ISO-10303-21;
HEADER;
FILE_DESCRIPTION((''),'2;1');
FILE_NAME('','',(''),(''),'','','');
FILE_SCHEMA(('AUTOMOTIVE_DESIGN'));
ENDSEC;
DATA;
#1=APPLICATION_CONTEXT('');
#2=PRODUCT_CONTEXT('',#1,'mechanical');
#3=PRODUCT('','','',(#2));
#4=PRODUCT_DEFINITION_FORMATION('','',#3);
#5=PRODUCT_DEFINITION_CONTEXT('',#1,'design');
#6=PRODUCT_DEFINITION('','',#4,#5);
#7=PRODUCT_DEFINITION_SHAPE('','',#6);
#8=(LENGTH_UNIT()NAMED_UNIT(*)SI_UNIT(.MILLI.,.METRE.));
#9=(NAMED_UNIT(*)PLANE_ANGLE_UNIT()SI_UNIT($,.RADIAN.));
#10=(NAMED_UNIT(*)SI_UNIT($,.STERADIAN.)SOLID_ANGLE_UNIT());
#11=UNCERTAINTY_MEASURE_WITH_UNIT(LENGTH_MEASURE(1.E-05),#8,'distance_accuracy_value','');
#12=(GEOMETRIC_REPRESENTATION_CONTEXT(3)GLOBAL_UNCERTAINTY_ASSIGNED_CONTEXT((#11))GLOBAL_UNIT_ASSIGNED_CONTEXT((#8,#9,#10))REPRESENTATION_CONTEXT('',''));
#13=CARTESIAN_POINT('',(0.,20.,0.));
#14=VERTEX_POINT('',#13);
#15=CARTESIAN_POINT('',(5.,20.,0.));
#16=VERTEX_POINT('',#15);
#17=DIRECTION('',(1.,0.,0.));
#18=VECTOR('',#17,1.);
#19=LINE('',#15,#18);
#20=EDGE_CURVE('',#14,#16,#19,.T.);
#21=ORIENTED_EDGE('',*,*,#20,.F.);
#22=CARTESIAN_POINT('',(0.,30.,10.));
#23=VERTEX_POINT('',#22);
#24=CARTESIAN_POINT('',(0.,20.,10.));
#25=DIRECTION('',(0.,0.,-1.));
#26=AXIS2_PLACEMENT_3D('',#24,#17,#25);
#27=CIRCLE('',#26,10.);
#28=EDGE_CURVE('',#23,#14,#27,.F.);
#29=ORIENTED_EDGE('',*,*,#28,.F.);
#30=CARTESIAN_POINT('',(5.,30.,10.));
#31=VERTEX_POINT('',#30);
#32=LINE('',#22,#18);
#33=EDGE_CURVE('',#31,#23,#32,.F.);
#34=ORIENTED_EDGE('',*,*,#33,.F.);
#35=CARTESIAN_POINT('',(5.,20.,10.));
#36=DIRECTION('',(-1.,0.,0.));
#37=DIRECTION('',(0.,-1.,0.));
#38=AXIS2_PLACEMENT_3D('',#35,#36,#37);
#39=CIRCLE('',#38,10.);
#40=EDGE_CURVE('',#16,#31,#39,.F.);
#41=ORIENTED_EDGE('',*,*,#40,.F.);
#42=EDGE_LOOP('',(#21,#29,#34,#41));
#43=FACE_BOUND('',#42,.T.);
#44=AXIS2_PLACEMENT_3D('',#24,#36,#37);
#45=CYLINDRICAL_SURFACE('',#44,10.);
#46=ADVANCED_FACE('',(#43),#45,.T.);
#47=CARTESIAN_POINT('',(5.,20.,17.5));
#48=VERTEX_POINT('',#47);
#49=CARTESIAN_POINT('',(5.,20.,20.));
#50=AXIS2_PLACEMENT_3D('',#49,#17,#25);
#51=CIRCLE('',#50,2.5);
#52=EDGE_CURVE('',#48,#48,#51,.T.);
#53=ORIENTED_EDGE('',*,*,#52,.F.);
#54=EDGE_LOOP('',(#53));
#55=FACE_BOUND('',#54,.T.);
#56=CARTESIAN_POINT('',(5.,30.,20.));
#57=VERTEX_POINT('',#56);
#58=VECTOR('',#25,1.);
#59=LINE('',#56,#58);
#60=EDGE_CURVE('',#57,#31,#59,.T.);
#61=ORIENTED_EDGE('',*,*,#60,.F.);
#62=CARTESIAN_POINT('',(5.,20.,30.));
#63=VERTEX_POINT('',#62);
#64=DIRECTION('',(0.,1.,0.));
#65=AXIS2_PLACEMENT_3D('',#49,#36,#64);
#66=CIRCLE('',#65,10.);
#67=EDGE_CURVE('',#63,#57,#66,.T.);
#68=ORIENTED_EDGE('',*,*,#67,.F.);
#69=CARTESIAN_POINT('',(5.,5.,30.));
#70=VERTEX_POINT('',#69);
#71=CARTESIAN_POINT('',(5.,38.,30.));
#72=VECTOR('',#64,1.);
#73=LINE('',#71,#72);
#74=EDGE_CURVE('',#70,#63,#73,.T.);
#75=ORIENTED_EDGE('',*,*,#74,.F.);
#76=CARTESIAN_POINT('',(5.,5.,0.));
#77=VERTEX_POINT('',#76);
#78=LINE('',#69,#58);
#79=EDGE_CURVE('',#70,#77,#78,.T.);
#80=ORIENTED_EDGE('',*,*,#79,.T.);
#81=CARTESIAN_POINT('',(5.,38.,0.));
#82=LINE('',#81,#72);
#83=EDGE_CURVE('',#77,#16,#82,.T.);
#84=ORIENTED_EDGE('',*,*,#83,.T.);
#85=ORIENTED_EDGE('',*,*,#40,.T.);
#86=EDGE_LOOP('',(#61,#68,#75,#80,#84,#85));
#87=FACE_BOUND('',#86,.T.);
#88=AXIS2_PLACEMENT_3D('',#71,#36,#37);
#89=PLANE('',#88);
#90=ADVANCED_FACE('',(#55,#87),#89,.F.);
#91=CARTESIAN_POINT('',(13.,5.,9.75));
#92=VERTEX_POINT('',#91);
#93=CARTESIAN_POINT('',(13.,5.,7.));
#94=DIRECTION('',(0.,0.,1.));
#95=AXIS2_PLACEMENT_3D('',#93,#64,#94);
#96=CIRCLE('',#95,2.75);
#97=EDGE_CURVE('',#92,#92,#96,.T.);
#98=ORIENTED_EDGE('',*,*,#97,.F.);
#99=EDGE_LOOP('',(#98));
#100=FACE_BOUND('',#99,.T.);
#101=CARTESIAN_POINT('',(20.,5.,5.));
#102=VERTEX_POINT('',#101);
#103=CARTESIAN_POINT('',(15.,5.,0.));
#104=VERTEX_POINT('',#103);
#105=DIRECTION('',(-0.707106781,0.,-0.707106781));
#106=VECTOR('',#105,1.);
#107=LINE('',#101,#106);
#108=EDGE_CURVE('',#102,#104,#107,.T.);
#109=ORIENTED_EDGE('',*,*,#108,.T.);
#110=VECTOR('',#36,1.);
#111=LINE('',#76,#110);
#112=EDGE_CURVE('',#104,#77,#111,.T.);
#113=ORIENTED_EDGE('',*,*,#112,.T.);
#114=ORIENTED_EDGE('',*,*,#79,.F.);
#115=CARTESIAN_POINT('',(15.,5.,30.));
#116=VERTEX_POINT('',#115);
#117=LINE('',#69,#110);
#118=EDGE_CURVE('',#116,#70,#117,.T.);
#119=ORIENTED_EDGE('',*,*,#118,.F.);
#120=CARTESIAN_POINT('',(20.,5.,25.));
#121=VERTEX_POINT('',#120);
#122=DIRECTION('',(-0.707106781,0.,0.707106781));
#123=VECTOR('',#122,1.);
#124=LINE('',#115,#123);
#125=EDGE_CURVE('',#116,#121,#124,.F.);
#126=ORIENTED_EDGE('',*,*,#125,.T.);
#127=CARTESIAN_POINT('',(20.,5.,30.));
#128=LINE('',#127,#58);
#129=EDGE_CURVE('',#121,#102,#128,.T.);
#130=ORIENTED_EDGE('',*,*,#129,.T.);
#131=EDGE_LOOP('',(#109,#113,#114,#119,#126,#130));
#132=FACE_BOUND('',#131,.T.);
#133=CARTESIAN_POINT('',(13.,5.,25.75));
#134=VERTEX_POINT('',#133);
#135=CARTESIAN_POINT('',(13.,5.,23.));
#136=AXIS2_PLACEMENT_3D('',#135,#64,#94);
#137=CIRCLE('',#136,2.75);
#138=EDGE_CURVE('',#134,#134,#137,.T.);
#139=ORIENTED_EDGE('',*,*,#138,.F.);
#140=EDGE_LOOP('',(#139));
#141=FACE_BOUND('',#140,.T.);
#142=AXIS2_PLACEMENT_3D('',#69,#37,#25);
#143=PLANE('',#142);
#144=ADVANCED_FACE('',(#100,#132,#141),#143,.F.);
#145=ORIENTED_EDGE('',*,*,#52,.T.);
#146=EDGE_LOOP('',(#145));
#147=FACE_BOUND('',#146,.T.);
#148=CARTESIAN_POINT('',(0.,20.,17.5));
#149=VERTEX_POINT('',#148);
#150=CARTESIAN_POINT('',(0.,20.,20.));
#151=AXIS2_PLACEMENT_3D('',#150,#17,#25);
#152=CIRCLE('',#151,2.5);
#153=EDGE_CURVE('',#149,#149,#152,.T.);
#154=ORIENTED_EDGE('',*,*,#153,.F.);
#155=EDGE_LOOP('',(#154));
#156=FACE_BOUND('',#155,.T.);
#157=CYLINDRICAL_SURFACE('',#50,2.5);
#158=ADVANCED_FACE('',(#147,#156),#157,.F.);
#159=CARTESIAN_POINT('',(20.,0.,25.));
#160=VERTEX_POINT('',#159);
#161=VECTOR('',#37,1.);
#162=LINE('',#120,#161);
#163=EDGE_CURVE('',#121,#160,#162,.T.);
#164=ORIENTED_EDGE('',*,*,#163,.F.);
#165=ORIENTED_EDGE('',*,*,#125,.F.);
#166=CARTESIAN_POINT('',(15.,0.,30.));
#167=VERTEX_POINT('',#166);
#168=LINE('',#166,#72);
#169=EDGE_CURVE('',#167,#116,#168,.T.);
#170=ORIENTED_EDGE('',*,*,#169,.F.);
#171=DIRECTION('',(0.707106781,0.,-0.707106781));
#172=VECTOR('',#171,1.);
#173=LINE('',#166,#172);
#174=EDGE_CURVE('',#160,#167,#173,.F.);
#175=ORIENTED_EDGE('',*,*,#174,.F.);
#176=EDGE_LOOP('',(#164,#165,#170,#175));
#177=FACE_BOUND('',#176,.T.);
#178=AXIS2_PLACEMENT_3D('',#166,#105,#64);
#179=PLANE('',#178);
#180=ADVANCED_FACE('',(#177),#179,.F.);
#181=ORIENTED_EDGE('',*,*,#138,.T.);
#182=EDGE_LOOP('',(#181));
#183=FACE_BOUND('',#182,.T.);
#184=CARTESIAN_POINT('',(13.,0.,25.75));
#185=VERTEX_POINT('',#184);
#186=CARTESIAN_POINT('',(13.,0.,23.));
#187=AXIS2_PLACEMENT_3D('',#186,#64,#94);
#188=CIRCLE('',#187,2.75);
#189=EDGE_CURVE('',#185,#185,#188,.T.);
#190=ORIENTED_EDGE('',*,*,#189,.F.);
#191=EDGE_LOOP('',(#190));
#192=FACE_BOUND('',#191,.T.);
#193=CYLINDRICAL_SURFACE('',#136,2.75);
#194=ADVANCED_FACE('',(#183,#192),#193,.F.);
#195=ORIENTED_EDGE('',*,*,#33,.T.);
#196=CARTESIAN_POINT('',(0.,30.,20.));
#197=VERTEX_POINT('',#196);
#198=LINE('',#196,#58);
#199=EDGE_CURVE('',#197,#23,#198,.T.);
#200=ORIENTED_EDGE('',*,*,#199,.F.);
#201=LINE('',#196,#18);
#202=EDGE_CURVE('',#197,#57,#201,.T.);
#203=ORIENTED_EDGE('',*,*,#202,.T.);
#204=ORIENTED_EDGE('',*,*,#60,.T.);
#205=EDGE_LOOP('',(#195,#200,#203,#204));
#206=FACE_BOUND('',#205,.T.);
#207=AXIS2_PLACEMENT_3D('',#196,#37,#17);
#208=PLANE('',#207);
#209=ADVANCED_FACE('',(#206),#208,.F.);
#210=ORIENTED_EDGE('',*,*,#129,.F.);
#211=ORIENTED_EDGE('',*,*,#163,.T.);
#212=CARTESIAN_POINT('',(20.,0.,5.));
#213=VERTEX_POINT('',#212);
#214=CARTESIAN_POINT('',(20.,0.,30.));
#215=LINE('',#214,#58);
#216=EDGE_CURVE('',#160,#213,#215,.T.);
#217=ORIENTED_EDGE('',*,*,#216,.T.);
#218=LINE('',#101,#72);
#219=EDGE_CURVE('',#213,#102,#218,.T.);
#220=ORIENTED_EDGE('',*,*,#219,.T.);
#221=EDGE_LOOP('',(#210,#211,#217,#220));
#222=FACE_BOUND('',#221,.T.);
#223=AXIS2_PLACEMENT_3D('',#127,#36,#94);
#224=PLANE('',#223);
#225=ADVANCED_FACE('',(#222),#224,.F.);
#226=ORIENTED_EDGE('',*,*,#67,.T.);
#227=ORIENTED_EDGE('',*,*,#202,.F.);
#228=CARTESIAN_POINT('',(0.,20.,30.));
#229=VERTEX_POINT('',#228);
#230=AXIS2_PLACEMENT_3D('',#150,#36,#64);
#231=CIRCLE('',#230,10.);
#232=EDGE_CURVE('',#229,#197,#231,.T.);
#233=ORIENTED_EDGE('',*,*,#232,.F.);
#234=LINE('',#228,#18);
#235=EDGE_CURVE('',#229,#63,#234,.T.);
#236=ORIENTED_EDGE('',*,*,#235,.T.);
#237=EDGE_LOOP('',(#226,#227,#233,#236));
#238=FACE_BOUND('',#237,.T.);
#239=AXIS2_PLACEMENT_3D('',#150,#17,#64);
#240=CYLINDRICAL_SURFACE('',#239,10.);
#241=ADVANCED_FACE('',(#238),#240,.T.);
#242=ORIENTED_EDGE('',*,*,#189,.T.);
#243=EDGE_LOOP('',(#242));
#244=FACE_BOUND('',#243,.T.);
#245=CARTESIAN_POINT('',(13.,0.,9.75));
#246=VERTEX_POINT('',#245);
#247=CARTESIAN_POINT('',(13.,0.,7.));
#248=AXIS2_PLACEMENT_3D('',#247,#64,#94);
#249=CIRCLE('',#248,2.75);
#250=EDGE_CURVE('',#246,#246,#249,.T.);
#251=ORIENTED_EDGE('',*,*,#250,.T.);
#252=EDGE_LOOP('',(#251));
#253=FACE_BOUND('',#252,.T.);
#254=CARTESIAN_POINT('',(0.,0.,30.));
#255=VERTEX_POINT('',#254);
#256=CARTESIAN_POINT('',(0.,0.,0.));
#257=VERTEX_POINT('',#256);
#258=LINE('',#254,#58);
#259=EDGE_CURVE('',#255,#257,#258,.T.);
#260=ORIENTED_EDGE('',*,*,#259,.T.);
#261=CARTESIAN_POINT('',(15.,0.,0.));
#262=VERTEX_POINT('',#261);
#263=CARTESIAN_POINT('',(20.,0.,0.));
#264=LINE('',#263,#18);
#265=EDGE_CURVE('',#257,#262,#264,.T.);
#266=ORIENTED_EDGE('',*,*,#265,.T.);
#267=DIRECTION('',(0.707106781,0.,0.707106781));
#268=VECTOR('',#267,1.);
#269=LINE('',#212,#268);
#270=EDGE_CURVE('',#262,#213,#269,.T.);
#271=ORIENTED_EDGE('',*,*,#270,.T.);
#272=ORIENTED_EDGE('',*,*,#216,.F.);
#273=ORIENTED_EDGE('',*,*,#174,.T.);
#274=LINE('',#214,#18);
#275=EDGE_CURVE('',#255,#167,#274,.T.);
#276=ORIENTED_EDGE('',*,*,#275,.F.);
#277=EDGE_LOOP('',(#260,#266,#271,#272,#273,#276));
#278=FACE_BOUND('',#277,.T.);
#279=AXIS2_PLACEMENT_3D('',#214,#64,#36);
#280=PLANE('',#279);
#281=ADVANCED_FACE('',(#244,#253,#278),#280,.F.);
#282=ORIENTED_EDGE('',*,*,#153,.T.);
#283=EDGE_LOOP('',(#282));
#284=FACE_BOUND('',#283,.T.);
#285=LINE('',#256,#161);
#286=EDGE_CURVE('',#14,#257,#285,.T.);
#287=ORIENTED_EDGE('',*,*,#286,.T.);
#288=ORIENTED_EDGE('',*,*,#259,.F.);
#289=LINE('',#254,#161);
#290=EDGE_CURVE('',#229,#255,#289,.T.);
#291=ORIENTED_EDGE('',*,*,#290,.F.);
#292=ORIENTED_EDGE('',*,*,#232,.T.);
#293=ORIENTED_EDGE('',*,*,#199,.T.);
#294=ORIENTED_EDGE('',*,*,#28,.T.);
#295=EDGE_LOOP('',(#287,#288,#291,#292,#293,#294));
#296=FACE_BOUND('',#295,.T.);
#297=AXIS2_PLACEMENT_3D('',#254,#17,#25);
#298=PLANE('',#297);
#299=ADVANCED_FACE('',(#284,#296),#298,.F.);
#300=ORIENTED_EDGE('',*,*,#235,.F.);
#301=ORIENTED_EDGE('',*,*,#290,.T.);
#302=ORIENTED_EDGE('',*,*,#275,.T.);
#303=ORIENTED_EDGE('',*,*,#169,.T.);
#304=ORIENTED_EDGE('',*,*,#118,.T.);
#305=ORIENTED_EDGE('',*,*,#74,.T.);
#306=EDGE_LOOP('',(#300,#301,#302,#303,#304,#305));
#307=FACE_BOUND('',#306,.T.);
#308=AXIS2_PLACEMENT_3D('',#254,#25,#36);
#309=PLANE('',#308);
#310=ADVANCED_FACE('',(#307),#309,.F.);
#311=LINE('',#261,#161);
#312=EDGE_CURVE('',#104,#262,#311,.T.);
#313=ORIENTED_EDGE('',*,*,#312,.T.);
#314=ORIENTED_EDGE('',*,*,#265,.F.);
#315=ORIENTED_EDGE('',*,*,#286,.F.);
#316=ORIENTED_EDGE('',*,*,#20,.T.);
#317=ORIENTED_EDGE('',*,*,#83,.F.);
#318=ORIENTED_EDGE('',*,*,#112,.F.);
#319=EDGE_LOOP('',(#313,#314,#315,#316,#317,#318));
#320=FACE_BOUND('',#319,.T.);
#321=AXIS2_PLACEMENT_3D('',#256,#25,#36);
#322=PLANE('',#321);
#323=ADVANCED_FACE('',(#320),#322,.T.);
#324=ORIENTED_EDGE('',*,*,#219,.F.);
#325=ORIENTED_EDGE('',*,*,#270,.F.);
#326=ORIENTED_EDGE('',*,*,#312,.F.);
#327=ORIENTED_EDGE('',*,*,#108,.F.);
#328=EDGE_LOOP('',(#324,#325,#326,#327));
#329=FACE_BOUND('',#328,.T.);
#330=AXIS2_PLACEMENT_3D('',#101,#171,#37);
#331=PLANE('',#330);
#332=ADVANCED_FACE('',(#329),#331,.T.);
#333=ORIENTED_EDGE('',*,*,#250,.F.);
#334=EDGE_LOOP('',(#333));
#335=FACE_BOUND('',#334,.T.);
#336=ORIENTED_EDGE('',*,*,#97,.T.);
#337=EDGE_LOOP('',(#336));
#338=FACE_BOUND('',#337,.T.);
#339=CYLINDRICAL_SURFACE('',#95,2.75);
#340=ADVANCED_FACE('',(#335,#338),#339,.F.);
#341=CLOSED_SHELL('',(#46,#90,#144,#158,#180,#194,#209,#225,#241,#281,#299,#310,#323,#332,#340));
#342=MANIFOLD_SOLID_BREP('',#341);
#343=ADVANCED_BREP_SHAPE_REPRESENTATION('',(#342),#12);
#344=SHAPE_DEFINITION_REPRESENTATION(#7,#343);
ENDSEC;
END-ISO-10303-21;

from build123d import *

# Parameters (mm, degrees)
BOSS_EXTRUDE1_DEPTH        = 30
M6_TAPPED_HOLE2_D          = 5
F_5_5_5_5_DIAMETER_HOLE1_D = 5.5
CUT_EXTRUDE1_DEPTH         = 51.68530359
FILLET3_R                  = 10
CHAMFER1_SIZE              = 5


with BuildPart() as part:
    # Sketch1 → Boss-Extrude1 (new body)
    with BuildSketch(Plane.XY):
        Polygon((0, 0), (0, 38), (5, 38), (5, 5), (20, 5), (20, 0), align=None)
    extrude(amount=BOSS_EXTRUDE1_DEPTH)

    # M6 Tapped Hole2 (through all)
    with Locations(Plane(origin=(5, 0, 0), x_dir=(0, 0, -1), z_dir=(1, 0, 0))):
        with Locations((-20, 20)):
            Hole(M6_TAPPED_HOLE2_D / 2)

    # Ø5.5 (5.5) Diameter Hole1 (through all)
    with Locations(Plane(origin=(0, 5, 0), x_dir=(1, 0, 0), z_dir=(0, 1, 0))):
        with Locations((13, -7), (13, -23)):
            Hole(F_5_5_5_5_DIAMETER_HOLE1_D / 2)

    # Sketch13 → Cut-Extrude1 (cut, through all)
    with BuildSketch(Plane(origin=(5, 0, 0), x_dir=(0, 0, -1), z_dir=(1, 0, 0))):
        with BuildLine():
            Line((-20, 30), (0, 30))
            Line((0, 30), (0, 38))
            Line((0, 38), (-30, 38))
            Line((-30, 38), (-30, 20))
            ThreePointArc((-30, 20), (-27.071067812, 27.071067812), (-20, 30))
        make_face()
    extrude(amount=-CUT_EXTRUDE1_DEPTH, mode=Mode.SUBTRACT)

    # Fillet3
    fillet3_edges = [part.edges().sort_by_distance(p)[0] for p in [
        (2.5, 30, 0),
    ]]
    fillet(fillet3_edges, radius=FILLET3_R)

    # Chamfer1
    chamfer1_edges = [part.edges().sort_by_distance(p)[0] for p in [
        (20, 2.5, 0),
        (20, 2.5, 30),
    ]]
    chamfer(chamfer1_edges, length=CHAMFER1_SIZE)


solid = part.part
